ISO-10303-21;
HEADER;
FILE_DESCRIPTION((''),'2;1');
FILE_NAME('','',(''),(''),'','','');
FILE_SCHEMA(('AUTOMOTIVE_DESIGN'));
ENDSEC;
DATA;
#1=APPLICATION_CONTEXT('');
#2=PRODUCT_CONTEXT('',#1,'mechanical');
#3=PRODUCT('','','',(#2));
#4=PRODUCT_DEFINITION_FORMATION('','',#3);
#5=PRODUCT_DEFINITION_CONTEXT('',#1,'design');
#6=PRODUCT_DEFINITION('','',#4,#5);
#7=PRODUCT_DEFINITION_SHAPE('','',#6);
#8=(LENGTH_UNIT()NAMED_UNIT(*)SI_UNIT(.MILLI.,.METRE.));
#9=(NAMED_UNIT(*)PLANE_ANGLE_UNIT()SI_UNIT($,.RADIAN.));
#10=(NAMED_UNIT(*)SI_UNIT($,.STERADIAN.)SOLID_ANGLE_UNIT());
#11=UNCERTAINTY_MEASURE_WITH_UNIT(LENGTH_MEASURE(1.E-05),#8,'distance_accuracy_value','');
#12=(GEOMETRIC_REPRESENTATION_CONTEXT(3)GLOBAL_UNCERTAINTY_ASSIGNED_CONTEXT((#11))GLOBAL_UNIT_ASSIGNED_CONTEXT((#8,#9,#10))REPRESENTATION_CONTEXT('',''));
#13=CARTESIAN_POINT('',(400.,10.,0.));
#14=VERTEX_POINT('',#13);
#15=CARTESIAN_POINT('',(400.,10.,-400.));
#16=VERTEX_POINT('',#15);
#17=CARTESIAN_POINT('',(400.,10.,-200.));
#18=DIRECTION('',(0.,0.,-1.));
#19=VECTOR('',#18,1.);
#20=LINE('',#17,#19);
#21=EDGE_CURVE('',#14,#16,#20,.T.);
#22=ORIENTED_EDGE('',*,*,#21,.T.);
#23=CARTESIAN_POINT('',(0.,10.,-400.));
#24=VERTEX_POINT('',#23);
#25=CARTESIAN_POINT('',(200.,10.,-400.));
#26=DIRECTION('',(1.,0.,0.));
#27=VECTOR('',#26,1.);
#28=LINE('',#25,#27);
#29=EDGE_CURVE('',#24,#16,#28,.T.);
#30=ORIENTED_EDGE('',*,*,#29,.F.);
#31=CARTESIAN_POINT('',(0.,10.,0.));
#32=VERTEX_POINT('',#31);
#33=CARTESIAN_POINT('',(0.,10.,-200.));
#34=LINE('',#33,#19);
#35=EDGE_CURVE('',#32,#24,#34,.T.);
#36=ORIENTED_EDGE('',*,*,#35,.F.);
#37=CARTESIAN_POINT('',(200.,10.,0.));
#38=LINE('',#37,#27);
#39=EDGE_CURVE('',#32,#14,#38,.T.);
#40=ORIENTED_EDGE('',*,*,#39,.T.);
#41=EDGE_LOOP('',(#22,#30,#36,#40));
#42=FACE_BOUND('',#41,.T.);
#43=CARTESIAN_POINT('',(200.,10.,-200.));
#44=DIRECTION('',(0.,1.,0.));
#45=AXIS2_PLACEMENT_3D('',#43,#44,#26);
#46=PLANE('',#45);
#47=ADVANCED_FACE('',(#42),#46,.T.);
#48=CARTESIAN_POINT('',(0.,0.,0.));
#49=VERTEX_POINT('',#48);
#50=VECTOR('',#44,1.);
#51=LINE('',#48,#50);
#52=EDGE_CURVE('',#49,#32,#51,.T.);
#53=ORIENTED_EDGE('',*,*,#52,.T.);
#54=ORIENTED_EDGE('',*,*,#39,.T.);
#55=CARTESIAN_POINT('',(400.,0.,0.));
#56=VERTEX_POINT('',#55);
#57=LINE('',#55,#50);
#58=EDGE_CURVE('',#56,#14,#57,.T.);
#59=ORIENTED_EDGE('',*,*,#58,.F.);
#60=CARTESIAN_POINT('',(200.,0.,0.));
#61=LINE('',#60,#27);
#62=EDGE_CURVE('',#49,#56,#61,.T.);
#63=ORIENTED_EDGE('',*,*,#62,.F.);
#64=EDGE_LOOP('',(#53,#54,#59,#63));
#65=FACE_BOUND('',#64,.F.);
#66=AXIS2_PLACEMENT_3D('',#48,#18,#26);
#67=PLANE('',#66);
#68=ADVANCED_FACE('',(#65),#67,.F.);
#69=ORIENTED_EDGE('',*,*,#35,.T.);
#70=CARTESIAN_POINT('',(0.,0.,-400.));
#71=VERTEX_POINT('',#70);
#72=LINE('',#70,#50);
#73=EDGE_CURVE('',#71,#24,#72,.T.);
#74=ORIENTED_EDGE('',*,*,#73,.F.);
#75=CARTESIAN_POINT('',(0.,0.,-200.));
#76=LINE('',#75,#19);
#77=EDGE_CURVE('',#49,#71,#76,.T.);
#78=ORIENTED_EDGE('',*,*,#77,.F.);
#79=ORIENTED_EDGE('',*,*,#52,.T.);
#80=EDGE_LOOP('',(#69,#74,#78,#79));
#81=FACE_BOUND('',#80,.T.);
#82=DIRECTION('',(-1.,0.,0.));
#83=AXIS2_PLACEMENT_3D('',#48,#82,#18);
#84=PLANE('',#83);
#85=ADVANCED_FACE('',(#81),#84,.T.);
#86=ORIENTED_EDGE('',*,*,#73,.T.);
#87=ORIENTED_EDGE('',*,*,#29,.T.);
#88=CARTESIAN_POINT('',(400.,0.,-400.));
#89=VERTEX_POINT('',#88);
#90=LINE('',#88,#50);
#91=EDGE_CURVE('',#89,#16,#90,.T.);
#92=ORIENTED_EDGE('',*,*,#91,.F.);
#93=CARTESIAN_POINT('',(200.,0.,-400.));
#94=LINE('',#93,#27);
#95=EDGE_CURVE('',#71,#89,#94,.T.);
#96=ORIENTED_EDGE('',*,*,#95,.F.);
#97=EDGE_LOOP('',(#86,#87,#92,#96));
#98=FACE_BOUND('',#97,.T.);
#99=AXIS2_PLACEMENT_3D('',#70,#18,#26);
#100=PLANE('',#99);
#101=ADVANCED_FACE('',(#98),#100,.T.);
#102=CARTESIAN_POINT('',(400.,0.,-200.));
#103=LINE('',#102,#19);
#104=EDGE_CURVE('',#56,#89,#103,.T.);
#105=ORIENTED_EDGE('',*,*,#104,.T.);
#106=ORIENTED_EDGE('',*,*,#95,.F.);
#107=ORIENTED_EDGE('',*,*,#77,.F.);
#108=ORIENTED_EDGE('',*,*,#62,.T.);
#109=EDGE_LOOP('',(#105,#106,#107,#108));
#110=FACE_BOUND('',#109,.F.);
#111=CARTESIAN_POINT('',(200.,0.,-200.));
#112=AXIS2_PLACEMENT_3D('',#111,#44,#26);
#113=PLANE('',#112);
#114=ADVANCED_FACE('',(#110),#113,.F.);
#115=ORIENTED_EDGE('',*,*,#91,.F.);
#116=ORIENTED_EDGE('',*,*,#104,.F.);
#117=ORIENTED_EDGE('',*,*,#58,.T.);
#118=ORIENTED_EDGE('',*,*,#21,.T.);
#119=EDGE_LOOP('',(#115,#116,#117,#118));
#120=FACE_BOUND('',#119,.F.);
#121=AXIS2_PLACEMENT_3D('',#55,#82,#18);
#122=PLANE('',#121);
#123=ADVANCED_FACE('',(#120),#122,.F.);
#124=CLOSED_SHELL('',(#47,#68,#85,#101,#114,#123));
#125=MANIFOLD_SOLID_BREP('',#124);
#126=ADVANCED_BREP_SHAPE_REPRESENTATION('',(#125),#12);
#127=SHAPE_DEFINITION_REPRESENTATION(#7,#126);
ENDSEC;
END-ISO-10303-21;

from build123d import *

# Parameters (mm, degrees)
ESQUISSE1_W      = 400
ESQUISSE1_H      = 400
EXTRUSION1_DEPTH = 10


with BuildPart() as part:
    # Esquisse1 → Extrusion1 (new body)
    with BuildSketch(Plane(origin=(0, 0, 0), x_dir=(1, 0, 0), z_dir=(0, 1, 0))):
        with Locations((200, 200)):
            Rectangle(ESQUISSE1_W, ESQUISSE1_H)
    extrude(amount=EXTRUSION1_DEPTH)


solid = part.part
